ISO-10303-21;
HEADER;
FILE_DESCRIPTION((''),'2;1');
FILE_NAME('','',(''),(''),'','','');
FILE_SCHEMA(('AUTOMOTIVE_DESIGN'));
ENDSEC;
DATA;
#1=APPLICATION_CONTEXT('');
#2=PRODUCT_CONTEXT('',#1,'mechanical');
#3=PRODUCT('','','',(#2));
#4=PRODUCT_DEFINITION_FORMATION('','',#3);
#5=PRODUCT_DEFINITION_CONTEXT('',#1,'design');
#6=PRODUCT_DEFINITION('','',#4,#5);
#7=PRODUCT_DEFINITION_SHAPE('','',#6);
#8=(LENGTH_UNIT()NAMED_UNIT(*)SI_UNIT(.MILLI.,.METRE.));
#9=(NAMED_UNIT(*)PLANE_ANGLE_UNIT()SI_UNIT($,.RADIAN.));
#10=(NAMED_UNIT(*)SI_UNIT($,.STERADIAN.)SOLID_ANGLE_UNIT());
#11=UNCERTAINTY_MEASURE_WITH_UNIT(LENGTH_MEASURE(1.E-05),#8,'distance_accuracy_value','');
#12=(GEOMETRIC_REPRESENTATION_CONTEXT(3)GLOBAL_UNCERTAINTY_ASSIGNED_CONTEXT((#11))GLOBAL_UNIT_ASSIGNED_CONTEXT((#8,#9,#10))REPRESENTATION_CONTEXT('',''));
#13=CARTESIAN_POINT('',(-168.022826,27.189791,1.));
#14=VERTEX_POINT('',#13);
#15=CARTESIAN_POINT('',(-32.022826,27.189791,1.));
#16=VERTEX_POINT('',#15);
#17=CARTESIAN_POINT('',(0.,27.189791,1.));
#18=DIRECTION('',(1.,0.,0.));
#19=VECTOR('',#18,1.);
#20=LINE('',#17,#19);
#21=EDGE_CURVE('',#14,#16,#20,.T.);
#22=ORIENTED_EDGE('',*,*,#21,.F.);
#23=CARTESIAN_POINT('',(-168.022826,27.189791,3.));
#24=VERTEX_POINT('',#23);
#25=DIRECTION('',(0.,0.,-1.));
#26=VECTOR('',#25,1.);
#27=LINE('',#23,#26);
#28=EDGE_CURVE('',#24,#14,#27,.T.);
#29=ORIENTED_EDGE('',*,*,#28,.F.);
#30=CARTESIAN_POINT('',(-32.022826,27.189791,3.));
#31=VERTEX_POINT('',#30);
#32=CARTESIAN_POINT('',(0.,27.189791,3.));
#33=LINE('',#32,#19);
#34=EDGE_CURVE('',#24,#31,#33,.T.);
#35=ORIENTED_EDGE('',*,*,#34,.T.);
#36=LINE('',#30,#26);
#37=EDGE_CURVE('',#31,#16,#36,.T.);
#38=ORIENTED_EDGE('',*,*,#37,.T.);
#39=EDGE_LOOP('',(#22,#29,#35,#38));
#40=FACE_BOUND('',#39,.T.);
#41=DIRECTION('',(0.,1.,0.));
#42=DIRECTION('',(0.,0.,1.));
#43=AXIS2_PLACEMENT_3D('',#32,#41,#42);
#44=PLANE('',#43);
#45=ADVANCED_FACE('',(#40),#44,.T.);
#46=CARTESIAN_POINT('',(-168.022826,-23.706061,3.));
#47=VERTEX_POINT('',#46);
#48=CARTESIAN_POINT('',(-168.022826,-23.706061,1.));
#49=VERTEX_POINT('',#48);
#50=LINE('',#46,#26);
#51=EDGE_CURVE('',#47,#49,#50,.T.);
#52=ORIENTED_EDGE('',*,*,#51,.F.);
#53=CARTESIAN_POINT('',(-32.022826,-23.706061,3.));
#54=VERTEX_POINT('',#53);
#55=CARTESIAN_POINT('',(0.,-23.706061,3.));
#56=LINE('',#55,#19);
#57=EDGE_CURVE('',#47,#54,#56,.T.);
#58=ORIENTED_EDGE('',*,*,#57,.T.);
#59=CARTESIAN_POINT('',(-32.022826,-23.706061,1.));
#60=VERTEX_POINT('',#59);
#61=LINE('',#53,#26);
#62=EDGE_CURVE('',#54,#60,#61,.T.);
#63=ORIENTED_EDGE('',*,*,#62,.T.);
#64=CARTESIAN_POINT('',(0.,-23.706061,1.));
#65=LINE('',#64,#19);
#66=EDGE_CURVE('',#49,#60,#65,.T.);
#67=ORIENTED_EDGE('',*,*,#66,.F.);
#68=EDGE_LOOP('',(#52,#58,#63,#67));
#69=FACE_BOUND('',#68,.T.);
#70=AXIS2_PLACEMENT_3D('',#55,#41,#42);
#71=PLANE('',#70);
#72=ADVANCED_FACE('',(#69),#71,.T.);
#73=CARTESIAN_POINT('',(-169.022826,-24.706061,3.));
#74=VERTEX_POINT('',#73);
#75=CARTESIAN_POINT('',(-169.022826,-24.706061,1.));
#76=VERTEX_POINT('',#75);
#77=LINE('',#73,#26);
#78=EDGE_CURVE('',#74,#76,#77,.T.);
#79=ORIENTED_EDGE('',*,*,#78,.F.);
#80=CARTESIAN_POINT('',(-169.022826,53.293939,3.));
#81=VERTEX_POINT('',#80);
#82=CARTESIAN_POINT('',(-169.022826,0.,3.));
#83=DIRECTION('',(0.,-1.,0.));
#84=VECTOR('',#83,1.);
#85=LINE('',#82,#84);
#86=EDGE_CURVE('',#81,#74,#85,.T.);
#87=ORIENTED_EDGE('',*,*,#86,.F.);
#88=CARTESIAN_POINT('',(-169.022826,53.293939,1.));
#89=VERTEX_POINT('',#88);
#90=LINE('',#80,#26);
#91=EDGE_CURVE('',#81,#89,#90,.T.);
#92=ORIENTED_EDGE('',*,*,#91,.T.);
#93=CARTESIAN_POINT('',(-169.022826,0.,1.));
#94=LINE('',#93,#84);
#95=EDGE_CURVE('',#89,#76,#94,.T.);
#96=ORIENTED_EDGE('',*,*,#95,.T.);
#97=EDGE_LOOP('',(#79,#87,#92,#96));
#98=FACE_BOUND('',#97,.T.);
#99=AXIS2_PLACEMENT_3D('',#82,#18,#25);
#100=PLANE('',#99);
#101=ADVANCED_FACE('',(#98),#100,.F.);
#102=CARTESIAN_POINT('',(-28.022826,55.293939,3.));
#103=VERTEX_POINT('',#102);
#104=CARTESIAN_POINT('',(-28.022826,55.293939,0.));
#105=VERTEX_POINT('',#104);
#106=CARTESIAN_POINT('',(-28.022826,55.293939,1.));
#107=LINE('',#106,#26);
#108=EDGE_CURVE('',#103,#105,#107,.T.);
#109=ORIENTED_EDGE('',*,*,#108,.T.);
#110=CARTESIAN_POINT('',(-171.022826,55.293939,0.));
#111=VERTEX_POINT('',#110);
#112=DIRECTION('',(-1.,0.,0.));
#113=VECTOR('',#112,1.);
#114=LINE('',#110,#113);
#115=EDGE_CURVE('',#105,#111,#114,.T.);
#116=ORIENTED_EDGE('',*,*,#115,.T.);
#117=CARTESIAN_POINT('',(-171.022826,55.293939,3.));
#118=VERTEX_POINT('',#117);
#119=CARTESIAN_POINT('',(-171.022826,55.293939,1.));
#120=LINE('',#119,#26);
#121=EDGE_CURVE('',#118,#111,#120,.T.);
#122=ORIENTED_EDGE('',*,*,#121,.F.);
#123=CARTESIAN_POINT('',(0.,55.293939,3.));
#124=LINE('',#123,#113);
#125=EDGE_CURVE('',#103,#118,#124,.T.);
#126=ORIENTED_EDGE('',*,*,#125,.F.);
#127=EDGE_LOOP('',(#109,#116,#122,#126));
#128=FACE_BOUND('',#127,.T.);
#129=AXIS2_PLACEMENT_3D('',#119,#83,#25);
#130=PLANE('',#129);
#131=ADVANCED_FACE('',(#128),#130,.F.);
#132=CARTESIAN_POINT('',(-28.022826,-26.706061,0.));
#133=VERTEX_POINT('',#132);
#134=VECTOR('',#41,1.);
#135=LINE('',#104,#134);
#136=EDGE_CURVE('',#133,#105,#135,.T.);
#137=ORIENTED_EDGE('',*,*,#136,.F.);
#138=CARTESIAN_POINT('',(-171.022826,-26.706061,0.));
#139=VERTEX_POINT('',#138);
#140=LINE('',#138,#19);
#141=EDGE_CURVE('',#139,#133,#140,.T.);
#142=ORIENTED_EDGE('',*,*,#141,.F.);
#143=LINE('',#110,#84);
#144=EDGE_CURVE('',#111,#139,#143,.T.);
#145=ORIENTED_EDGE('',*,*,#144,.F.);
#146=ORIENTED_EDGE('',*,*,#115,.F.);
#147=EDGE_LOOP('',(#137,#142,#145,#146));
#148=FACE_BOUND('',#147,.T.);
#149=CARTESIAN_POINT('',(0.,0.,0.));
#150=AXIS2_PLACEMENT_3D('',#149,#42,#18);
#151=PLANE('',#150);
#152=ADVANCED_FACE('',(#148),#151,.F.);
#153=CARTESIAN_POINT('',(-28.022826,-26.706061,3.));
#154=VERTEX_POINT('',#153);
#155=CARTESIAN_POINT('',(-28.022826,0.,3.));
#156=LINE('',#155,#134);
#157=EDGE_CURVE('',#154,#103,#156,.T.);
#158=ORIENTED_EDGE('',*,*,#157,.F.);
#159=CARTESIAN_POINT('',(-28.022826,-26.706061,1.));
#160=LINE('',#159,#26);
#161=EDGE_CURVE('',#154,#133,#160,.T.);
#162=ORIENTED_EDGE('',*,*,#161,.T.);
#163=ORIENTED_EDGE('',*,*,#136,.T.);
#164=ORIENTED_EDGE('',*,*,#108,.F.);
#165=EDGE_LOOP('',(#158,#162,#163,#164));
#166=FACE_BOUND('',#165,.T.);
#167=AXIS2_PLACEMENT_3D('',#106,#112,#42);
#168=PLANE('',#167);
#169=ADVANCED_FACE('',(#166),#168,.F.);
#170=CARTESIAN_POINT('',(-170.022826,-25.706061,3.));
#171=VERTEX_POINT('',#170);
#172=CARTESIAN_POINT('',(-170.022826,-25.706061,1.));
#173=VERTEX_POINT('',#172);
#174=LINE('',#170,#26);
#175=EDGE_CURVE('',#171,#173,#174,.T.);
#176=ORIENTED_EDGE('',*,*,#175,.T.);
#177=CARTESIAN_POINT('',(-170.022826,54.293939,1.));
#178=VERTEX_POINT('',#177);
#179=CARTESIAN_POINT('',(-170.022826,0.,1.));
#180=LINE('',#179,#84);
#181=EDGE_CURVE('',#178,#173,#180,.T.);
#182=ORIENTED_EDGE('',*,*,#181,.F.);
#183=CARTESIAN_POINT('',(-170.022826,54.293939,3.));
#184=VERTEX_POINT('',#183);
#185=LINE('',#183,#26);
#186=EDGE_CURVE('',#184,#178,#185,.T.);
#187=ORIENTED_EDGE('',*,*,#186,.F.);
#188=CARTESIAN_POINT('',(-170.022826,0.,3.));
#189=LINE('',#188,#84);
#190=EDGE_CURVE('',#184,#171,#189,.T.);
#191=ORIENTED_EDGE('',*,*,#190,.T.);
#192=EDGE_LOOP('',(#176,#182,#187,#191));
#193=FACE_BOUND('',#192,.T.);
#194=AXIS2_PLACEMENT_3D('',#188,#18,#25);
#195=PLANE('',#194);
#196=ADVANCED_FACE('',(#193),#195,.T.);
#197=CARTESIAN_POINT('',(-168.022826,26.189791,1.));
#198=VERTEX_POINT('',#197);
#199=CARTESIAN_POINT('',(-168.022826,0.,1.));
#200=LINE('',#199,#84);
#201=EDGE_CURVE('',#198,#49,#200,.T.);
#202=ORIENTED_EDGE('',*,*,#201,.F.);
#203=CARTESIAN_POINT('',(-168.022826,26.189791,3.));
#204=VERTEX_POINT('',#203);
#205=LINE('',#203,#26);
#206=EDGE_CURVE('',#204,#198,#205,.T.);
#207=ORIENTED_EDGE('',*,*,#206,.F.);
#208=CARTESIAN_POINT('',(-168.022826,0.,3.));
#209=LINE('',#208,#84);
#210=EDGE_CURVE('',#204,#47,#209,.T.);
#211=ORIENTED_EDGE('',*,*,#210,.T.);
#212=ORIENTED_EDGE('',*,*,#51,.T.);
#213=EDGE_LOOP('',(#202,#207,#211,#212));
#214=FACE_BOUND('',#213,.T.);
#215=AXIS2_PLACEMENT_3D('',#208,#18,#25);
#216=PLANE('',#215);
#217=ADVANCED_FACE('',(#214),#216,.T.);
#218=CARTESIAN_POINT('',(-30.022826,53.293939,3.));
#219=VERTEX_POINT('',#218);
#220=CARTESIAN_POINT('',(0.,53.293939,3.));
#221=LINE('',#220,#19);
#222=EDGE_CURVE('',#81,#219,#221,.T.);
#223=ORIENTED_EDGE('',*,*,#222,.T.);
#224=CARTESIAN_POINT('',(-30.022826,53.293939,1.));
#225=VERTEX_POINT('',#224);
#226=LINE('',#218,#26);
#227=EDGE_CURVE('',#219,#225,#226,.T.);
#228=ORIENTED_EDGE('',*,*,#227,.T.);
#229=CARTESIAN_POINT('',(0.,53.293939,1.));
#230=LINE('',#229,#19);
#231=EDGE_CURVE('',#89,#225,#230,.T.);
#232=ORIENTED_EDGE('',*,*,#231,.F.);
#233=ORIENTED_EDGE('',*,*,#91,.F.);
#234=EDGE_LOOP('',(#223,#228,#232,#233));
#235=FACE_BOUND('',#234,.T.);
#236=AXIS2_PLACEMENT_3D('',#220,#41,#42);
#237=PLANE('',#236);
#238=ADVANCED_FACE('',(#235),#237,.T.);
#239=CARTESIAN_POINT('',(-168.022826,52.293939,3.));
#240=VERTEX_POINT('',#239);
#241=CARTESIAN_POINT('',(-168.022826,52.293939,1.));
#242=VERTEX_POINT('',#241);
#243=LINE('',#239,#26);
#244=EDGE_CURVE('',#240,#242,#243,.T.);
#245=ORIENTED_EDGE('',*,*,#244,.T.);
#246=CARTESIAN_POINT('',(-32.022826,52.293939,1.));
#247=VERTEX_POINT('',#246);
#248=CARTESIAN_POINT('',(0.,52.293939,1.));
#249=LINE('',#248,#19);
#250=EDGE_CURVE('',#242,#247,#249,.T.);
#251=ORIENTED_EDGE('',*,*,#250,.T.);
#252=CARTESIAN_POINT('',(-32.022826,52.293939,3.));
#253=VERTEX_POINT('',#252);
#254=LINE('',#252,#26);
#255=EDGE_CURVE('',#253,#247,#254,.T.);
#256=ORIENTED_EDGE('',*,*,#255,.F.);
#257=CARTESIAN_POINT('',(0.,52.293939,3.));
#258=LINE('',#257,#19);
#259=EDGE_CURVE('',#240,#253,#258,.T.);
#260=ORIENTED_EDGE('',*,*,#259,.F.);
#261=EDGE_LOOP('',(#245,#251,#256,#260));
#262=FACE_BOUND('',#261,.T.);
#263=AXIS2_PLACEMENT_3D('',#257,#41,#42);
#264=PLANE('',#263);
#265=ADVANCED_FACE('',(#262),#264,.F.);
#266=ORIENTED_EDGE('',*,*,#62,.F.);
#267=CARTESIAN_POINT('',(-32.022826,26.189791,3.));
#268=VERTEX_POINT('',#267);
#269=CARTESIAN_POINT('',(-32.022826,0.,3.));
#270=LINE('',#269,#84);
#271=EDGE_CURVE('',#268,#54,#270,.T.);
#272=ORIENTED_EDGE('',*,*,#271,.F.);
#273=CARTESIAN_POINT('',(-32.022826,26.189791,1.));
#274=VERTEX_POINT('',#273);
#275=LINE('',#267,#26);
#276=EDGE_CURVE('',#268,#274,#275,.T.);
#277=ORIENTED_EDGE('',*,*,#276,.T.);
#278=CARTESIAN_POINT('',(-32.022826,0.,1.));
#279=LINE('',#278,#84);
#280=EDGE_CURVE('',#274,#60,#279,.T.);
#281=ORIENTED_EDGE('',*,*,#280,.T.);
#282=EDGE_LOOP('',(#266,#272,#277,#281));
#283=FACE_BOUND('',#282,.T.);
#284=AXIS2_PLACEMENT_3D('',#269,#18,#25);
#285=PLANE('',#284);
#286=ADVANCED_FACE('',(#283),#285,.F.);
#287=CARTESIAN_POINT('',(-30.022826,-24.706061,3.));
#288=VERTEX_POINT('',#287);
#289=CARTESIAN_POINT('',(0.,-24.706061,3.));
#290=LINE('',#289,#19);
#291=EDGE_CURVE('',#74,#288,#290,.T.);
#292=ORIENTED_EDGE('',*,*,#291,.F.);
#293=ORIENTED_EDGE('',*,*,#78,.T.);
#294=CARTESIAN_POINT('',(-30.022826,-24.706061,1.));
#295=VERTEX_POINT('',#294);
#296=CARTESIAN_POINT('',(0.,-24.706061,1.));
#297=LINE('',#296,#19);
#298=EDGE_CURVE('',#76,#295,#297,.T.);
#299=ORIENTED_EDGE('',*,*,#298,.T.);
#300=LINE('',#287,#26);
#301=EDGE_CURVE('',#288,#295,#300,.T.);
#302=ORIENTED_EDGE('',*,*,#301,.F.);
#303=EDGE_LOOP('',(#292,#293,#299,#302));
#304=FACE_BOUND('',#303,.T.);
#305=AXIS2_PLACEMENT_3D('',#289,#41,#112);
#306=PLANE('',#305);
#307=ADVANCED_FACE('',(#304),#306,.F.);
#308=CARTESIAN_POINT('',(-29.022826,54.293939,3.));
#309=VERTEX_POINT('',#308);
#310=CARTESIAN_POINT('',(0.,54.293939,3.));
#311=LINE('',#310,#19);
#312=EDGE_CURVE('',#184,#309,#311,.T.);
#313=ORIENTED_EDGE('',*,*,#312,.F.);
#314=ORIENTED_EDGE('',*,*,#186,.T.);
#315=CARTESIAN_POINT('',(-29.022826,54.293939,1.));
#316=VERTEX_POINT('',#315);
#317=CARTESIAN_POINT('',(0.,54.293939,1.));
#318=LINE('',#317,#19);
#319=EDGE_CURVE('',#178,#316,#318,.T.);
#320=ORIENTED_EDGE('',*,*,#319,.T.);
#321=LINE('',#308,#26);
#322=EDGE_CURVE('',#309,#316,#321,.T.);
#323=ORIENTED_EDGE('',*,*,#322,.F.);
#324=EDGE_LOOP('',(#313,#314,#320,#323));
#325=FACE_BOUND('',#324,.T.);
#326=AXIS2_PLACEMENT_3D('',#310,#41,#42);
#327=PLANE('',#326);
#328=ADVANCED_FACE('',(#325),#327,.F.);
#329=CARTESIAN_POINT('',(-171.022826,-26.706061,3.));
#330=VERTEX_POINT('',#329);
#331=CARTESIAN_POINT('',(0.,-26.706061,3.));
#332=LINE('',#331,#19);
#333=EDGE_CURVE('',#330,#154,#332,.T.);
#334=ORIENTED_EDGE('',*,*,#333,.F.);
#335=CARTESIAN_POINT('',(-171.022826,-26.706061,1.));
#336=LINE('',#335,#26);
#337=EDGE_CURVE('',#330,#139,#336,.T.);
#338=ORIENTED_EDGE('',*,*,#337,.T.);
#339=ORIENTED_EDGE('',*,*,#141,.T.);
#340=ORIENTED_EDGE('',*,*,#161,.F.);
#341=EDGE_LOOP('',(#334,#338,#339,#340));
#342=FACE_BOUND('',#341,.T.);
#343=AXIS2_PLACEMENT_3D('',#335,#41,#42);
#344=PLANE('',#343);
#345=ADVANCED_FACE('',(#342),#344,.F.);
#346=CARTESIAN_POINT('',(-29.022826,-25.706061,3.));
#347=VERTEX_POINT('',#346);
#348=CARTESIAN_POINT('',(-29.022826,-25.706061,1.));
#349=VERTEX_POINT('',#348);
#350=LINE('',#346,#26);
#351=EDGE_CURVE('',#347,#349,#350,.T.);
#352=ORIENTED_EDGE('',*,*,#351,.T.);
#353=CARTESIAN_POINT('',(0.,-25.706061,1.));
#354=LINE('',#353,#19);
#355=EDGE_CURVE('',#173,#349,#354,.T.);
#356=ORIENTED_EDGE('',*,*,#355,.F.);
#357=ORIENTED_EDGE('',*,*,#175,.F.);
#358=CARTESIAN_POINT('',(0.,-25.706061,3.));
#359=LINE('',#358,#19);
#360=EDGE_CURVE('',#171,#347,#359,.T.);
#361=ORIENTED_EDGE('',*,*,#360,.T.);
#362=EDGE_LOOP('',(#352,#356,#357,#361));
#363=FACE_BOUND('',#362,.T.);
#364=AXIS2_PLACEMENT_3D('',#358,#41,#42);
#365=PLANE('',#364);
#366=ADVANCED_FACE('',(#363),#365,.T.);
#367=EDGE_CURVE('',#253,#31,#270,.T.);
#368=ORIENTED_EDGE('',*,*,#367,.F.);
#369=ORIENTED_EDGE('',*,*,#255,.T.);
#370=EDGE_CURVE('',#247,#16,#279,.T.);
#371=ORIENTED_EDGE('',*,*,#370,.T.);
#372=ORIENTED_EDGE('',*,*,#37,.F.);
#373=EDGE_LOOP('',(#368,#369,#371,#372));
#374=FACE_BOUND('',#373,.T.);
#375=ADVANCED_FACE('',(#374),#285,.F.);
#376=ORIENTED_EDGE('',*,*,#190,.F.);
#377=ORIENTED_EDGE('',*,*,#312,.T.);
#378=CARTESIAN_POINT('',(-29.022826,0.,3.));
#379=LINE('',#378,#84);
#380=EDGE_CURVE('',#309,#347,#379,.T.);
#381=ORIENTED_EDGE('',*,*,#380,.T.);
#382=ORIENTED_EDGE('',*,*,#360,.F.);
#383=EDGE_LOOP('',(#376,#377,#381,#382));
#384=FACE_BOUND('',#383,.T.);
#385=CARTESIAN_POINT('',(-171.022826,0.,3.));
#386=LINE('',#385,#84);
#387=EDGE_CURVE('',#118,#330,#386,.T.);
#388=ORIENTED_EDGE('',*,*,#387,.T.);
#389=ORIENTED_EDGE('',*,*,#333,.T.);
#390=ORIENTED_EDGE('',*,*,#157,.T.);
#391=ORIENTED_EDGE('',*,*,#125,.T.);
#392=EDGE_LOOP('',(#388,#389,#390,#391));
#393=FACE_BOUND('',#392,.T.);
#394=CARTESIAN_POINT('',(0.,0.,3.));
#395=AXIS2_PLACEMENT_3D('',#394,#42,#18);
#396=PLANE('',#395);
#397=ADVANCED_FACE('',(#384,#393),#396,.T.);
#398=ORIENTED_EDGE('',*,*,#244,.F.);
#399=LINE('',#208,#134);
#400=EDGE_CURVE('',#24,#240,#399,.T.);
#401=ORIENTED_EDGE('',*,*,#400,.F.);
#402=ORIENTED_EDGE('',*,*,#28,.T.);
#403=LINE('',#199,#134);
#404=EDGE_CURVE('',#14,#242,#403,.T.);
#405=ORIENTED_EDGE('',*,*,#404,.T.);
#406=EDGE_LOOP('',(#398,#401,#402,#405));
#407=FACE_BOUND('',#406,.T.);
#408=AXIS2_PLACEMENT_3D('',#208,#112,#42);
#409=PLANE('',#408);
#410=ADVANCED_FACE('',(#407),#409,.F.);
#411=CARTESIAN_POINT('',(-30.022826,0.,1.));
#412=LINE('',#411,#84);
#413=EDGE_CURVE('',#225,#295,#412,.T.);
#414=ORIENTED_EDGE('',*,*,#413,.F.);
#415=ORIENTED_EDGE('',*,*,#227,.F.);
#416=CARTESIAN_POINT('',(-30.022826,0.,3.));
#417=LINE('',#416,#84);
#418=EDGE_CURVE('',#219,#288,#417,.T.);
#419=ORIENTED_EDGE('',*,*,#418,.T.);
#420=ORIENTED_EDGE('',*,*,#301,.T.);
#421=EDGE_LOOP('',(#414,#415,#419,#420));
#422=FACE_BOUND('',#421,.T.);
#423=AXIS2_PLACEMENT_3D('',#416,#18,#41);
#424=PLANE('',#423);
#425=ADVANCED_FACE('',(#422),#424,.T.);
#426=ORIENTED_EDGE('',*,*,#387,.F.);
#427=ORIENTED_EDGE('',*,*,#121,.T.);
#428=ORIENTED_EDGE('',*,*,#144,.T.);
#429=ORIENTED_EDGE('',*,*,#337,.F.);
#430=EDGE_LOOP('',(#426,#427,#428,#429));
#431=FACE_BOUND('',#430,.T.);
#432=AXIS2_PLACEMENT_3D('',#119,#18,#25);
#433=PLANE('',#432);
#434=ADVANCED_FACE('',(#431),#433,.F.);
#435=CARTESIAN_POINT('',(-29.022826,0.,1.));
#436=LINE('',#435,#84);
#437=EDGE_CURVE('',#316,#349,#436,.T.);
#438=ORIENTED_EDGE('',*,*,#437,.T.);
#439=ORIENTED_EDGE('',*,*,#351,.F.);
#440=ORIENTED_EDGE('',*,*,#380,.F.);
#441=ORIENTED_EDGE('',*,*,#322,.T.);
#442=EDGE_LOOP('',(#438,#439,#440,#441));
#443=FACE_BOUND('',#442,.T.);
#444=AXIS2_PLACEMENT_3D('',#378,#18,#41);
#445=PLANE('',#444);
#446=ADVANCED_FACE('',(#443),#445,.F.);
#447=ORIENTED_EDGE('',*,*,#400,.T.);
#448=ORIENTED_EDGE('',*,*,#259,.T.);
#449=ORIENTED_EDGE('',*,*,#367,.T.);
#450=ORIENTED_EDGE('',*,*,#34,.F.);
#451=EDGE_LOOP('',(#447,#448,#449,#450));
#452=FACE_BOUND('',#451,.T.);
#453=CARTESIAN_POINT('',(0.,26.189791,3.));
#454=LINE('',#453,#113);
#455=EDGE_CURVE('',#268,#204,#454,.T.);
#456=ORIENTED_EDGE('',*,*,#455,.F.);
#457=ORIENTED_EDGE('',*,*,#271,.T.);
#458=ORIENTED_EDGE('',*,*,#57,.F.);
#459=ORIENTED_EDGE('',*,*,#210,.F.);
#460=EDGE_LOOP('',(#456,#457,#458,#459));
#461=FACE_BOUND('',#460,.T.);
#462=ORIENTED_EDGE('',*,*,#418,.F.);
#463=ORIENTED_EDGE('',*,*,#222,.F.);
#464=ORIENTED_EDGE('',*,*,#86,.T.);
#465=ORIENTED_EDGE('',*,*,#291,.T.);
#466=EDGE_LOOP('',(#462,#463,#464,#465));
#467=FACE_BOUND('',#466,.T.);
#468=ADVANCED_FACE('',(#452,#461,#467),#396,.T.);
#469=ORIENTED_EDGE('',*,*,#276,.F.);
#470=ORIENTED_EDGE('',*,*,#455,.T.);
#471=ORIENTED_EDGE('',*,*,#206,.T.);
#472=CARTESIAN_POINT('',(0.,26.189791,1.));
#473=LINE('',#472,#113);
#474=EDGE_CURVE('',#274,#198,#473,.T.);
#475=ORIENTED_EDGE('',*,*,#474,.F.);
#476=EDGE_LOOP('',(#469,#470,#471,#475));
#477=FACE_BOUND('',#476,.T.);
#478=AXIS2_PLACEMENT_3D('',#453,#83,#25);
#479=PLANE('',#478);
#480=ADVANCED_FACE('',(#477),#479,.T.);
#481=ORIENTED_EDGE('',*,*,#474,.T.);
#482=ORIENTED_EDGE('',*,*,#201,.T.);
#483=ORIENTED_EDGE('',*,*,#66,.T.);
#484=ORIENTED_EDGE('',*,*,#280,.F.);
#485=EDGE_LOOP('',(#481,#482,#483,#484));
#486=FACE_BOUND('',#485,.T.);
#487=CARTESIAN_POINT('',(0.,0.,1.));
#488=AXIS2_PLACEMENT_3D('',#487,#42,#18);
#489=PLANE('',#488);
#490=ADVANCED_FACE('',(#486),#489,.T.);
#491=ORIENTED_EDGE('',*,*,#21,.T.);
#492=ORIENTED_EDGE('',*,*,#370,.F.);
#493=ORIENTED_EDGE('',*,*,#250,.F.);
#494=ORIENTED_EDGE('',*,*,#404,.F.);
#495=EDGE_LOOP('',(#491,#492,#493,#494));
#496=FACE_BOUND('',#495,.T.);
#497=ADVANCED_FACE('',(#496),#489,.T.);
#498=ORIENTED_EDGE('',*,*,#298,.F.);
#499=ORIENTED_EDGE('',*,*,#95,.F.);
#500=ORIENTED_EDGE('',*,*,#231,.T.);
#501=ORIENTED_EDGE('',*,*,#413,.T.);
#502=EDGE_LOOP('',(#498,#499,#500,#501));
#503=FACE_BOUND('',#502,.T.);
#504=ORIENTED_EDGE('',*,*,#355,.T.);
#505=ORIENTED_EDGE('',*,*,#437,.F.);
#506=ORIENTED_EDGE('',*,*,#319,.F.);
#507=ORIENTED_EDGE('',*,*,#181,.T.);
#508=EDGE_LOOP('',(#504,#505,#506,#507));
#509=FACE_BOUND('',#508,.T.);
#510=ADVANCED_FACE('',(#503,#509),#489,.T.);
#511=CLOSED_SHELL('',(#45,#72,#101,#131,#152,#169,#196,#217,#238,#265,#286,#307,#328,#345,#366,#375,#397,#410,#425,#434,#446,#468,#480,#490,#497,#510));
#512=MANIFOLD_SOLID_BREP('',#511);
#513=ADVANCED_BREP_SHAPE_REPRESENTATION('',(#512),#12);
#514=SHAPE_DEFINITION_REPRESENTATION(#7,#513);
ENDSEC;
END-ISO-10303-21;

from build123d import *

# Parameters (mm, degrees)
CROQUIS1_W              = 143
CROQUIS1_H              = 82
SALIENTE_EXTRUIR1_DEPTH = 1
CROQUIS2_W              = 143
CROQUIS2_H              = 82
CROQUIS2_W_2            = 141
CROQUIS2_H_2            = 80
CROQUIS2_W_3            = 139
CROQUIS2_H_3            = 78
CROQUIS2_W_4            = 136
CROQUIS2_H_4            = 25.104148451
CROQUIS2_H_5            = 49.895851549
SALIENTE_EXTRUIR2_DEPTH = 2


with BuildPart() as part:
    # Croquis1 → Saliente-Extruir1 (new body)
    with BuildSketch(Plane.XY):
        with Locations((-99.522825922, 14.293939394)):
            Rectangle(CROQUIS1_W, CROQUIS1_H)
    extrude(amount=SALIENTE_EXTRUIR1_DEPTH)

    # Croquis2 → Saliente-Extruir2 (add)
    with BuildSketch(Plane.XY.offset(1)):
        with Locations((-99.522825922, 14.293939394)):
            Rectangle(CROQUIS2_W, CROQUIS2_H)
        with Locations((-99.522825922, 14.293939394)):
            Rectangle(CROQUIS2_W_2, CROQUIS2_H_2, mode=Mode.SUBTRACT)
        with Locations((-99.522825922, 14.293939394)):
            Rectangle(CROQUIS2_W_3, CROQUIS2_H_3)
        with Locations((-100.022825922, 39.741865169)):
            Rectangle(CROQUIS2_W_4, CROQUIS2_H_4, mode=Mode.SUBTRACT)
        with Locations((-100.022825922, 1.241865169)):
            Rectangle(CROQUIS2_W_4, CROQUIS2_H_5, mode=Mode.SUBTRACT)
    extrude(amount=SALIENTE_EXTRUIR2_DEPTH)


solid = part.part
